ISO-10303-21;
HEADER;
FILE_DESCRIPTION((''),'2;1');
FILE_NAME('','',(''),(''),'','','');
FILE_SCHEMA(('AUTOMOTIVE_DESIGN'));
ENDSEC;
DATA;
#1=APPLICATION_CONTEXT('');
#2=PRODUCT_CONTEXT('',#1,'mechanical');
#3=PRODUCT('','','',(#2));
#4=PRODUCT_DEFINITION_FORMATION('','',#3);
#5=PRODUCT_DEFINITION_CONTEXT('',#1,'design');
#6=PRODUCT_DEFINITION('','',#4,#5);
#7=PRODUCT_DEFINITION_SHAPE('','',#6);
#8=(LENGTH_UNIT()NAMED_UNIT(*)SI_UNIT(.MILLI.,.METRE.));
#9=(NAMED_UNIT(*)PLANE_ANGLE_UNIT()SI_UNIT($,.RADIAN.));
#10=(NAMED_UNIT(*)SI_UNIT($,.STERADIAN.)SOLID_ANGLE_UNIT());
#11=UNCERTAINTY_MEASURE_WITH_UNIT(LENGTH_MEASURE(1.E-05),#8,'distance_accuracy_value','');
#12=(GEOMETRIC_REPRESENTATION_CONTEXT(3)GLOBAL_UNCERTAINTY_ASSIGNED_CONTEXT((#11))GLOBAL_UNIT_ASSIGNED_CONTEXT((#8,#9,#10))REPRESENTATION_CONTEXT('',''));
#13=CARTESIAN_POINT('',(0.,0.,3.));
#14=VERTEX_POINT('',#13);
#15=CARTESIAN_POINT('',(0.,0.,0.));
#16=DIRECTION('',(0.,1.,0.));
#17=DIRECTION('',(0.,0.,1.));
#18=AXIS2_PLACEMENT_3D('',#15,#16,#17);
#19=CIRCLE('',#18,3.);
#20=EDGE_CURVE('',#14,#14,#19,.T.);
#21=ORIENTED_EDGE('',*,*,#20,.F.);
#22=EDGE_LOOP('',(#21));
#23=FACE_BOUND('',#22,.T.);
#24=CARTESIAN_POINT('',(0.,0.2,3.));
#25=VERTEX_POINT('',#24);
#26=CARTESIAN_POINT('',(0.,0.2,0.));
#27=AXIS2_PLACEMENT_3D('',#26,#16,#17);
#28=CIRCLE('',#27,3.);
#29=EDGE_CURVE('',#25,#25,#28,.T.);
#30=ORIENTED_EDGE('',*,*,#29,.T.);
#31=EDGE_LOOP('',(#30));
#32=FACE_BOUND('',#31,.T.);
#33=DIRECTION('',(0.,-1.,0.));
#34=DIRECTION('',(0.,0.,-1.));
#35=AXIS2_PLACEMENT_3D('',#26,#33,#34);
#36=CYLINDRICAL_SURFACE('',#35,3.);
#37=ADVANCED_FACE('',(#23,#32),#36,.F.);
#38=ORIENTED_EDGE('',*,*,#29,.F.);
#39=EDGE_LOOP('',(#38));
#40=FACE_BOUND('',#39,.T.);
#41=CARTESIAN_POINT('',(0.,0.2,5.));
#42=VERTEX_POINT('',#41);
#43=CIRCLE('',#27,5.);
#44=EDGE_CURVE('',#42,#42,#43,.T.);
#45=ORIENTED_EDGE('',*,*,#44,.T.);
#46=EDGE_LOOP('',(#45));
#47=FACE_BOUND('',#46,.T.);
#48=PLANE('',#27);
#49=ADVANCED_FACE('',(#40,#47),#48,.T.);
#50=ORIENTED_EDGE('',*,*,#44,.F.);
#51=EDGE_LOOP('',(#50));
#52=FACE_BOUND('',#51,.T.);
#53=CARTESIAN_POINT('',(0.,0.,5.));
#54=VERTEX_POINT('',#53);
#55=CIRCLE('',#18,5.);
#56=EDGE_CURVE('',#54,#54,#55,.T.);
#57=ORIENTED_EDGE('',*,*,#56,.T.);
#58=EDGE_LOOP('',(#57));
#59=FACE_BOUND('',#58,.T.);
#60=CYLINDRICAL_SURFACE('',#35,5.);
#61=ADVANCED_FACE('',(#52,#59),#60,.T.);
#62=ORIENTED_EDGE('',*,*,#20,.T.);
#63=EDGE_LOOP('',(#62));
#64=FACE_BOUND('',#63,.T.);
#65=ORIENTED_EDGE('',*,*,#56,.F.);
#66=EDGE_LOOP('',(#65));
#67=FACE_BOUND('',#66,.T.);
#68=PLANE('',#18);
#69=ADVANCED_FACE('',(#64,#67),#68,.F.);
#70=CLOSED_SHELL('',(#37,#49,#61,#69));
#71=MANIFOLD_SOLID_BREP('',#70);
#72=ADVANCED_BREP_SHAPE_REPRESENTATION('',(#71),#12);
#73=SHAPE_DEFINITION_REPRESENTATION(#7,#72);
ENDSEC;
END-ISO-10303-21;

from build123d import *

# Parameters (mm, degrees)
SKETCH1_R           = 5
SKETCH1_R_2         = 3
BOSS_EXTRUDE1_DEPTH = 0.2


with BuildPart() as part:
    # Sketch1 → Boss-Extrude1 (new body)
    with BuildSketch(Plane(origin=(0, 0, 0), x_dir=(1, 0, 0), z_dir=(0, 1, 0))):
        with Locations(Location((0, 0, 0), (0, 0, 270))):
            Circle(SKETCH1_R)
        with Locations(Location((0, 0, 0), (0, 0, 270))):
            Circle(SKETCH1_R_2, mode=Mode.SUBTRACT)
    extrude(amount=BOSS_EXTRUDE1_DEPTH)


solid = part.part
